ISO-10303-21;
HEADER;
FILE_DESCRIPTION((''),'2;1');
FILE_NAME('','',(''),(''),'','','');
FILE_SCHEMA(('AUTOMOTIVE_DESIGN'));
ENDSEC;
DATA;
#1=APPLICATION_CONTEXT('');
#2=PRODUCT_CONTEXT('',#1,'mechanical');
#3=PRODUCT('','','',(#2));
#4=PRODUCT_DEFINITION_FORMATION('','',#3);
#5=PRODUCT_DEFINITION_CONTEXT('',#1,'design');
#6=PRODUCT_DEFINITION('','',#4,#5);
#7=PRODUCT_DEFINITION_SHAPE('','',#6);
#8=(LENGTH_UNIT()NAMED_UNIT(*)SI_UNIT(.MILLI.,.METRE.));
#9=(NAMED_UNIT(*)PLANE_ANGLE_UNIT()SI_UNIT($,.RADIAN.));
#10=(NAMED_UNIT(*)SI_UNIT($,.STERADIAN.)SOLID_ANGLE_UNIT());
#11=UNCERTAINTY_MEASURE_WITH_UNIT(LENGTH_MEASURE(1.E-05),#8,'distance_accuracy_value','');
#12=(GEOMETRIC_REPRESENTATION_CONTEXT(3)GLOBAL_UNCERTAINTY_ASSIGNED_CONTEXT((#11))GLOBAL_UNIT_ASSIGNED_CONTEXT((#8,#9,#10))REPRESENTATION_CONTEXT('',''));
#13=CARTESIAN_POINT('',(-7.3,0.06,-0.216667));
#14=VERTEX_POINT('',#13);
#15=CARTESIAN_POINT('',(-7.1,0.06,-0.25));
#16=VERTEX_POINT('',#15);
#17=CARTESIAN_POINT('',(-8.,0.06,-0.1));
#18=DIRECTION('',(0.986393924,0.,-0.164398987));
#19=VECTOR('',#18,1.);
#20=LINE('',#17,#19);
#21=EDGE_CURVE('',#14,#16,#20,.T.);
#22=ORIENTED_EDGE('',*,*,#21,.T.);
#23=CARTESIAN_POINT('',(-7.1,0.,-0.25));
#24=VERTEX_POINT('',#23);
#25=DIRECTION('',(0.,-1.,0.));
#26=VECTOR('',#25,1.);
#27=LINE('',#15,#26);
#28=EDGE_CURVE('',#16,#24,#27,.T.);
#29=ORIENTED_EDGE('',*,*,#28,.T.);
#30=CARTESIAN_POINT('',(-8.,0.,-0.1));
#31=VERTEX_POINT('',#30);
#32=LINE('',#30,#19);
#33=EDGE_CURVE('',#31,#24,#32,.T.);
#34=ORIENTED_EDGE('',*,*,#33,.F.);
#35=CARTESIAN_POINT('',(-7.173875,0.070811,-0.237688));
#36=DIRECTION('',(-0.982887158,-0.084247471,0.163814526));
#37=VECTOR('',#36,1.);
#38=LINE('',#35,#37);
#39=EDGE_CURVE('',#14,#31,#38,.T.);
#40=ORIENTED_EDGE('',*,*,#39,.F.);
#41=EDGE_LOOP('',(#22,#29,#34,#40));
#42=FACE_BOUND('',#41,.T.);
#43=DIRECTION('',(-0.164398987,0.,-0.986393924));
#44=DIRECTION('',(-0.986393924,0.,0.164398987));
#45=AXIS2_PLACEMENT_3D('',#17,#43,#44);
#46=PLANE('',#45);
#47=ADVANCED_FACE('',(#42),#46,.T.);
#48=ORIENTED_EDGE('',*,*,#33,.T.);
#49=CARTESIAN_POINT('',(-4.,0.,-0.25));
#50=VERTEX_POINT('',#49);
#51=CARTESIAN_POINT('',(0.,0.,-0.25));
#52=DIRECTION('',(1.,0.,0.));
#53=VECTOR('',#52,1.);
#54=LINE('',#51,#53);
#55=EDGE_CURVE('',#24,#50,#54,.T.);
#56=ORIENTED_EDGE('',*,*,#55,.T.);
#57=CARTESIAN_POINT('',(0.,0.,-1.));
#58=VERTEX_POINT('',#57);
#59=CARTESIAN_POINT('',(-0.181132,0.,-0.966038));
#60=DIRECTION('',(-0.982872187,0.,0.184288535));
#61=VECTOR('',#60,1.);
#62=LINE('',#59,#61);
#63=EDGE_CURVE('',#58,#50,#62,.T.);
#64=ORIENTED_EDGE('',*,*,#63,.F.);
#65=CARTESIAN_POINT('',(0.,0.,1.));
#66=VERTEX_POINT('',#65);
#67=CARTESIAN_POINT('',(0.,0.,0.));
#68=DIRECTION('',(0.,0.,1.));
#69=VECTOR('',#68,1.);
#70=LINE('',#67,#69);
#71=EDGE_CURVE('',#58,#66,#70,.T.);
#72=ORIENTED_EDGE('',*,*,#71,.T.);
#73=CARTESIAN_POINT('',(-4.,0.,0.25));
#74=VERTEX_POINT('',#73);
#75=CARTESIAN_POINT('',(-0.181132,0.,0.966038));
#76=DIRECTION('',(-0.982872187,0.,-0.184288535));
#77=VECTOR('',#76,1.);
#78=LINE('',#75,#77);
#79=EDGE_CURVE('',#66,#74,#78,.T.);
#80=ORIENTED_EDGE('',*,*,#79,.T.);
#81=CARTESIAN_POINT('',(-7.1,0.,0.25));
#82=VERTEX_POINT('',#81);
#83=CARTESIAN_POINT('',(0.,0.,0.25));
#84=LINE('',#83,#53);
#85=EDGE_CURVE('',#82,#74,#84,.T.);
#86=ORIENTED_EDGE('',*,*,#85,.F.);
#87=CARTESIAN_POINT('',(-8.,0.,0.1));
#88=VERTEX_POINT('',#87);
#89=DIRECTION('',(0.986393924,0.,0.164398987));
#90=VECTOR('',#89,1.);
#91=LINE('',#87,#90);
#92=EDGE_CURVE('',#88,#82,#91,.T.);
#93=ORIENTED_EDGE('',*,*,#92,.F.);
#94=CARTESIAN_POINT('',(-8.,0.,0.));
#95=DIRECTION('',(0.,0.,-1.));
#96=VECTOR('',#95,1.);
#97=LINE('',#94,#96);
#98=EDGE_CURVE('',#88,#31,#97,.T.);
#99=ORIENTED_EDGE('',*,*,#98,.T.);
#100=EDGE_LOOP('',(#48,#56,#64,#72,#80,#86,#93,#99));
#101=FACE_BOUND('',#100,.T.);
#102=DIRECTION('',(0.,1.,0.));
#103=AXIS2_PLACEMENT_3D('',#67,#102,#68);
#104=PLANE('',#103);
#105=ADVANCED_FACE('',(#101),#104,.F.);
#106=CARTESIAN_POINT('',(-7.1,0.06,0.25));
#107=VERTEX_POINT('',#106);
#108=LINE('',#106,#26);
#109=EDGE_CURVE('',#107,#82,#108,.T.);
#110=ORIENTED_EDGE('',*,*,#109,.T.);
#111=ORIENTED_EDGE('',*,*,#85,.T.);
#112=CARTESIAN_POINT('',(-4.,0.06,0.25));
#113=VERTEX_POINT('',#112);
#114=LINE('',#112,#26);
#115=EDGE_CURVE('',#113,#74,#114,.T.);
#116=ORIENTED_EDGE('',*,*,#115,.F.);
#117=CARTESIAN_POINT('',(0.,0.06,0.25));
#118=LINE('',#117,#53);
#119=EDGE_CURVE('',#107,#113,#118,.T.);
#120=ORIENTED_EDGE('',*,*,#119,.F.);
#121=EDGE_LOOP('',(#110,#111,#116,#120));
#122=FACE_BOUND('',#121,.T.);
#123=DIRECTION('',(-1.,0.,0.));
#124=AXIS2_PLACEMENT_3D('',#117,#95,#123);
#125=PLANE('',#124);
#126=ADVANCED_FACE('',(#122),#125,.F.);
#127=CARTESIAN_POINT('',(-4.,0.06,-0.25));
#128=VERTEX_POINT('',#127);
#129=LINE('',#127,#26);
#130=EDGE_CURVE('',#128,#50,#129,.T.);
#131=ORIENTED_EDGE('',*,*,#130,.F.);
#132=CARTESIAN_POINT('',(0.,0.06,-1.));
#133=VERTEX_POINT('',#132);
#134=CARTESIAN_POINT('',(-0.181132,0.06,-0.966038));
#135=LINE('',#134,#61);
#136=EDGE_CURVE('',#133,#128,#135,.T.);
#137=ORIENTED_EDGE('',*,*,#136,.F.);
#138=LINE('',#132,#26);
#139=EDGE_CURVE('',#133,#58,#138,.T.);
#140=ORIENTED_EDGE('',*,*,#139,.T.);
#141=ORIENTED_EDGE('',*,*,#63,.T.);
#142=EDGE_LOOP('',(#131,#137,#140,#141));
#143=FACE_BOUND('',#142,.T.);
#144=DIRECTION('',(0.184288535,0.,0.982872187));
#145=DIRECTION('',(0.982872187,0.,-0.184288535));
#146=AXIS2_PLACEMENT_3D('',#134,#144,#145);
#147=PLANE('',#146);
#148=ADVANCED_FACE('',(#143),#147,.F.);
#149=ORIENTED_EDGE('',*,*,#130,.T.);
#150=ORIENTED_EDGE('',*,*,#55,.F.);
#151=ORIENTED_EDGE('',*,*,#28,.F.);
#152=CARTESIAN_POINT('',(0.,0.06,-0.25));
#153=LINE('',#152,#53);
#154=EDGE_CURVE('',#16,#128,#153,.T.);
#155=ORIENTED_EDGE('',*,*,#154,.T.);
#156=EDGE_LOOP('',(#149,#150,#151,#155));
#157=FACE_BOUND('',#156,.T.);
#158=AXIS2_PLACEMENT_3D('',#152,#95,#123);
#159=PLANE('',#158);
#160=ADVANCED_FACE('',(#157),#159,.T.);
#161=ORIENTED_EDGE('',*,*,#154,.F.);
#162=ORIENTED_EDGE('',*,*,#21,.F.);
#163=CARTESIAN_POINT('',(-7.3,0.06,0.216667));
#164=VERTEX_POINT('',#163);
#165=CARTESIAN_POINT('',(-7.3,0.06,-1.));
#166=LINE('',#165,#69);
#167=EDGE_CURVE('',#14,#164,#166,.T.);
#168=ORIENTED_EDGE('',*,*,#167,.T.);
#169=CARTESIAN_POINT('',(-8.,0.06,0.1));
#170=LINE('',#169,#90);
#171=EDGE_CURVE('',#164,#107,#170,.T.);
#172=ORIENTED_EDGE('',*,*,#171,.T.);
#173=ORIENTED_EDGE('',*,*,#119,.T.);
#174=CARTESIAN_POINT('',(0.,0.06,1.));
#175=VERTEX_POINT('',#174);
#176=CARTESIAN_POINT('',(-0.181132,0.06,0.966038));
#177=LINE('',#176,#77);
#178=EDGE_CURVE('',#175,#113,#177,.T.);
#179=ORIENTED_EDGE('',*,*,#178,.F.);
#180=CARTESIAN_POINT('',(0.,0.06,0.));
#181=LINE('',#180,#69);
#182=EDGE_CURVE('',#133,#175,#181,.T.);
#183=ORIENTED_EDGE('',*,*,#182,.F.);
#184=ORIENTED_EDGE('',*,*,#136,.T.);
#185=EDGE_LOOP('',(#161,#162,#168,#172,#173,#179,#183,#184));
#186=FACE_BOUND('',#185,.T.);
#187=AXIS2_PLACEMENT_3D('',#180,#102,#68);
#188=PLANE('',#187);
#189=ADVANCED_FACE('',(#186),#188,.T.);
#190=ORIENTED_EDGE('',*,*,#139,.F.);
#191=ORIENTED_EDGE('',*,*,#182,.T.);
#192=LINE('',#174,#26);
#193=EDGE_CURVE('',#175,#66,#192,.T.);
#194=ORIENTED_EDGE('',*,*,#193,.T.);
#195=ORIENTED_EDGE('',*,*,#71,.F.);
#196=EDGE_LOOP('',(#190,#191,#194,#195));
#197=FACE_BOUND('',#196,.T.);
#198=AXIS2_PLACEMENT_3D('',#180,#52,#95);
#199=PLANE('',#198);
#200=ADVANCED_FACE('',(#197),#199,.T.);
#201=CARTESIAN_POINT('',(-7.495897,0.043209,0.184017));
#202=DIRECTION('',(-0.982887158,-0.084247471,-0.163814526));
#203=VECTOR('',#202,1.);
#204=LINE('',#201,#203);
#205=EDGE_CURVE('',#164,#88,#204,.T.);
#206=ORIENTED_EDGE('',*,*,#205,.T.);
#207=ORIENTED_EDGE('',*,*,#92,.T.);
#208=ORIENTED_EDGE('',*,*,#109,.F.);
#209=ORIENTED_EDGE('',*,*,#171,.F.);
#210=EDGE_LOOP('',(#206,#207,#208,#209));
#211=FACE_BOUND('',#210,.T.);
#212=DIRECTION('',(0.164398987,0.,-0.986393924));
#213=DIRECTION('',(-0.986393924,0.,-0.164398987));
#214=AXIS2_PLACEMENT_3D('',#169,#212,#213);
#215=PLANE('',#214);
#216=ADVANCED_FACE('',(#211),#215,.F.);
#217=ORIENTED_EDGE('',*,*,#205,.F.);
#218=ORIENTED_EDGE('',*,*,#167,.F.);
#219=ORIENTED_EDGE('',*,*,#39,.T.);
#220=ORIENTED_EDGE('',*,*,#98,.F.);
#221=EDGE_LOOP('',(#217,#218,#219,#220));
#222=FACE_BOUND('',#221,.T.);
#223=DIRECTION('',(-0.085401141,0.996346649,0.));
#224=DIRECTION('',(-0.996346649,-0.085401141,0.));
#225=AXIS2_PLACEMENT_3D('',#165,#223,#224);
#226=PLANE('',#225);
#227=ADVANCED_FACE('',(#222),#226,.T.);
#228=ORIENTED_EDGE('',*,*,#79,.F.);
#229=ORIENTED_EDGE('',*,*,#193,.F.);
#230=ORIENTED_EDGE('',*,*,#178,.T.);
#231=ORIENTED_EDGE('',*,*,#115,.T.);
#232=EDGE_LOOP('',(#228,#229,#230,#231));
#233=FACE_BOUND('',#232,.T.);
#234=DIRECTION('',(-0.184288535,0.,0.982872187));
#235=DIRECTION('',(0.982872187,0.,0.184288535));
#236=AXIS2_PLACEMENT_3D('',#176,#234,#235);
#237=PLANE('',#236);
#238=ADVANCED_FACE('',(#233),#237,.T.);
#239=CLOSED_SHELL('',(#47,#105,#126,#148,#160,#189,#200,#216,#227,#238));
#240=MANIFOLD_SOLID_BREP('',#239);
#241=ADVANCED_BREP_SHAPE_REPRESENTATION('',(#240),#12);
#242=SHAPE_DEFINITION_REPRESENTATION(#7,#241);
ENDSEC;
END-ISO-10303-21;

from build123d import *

# Parameters (mm, degrees)
BOSS_EXTRUDE1_DEPTH = 0.06
CUT_EXTRUDE3_DEPTH  = 9.09728967
CUT_EXTRUDE4_DEPTH  = 9.09728967


with BuildPart() as part:
    # Sketch1 → Boss-Extrude1 (new body)
    with BuildSketch(Plane(origin=(0, 0, 0), x_dir=(1, 0, 0), z_dir=(0, 1, 0))):
        with BuildLine():
            ThreePointArc((-0.362264151, -0.932075472), (-0.747576714, -0.664175471), (-0.968245837, -0.25))
            Line((-0.968245837, -0.25), (-4, -0.25))
            Line((-4, -0.25), (-0.362264151, -0.932075472))
        make_face()
        with BuildLine():
            ThreePointArc((-0.968245837, 0.25), (-0.747576714, 0.664175471), (-0.362264151, 0.932075472))
            Line((-0.362264151, 0.932075472), (-4, 0.25))
            Line((-4, 0.25), (-0.968245837, 0.25))
        make_face()
        with BuildLine():
            ThreePointArc((-0.968245837, -0.25), (-1, 0), (-0.968245837, 0.25))
            Line((-0.968245837, 0.25), (-4, 0.25))
            Line((-4, 0.25), (-8, 0.25))
            Line((-8, 0.25), (-8, -0.25))
            Line((-8, -0.25), (-4, -0.25))
            Line((-4, -0.25), (-0.968245837, -0.25))
        make_face()
        with BuildLine():
            Line((0, -1), (0, -0.25))
            Line((0, -0.25), (-0.968245837, -0.25))
            ThreePointArc((-0.968245837, -0.25), (-0.747576714, -0.664175471), (-0.362264151, -0.932075472))
            Line((-0.362264151, -0.932075472), (0, -1))
        make_face()
        with BuildLine():
            Line((0, 0.25), (0, 1))
            Line((0, 1), (-0.362264151, 0.932075472))
            ThreePointArc((-0.362264151, 0.932075472), (-0.747576714, 0.664175471), (-0.968245837, 0.25))
            Line((-0.968245837, 0.25), (0, 0.25))
        make_face()
        with BuildLine():
            Line((0, -0.25), (0, 0.25))
            Line((0, 0.25), (-0.968245837, 0.25))
            ThreePointArc((-0.968245837, 0.25), (-1, 0), (-0.968245837, -0.25))
            Line((-0.968245837, -0.25), (0, -0.25))
        make_face()
    extrude(amount=BOSS_EXTRUDE1_DEPTH)

    # Sketch5 → Cut-Extrude3 (cut, through all)
    with BuildSketch(Plane.XY.offset(0.25)):
        Polygon((-8, 0), (-8, 0.06), (-7.3, 0.06), align=None)
    extrude(amount=-CUT_EXTRUDE3_DEPTH, mode=Mode.SUBTRACT)

    # 3DSketch1 → Cut-Extrude4 (cut, through all)
    with BuildSketch(Plane(origin=(-8, 0.06, 0.25), x_dir=(0.8741572761215382, 0, -0.48564293117863155), z_dir=(0, 1, 0))):
        Polygon((0, 0), (0.07284644, 0.131123591), (0.786741549, -0.437078638), align=None)
        Polygon((1.029563014, 0), (0.242821466, 0.437078638), (0.169975026, 0.305955047), align=None)
    extrude(amount=-CUT_EXTRUDE4_DEPTH, mode=Mode.SUBTRACT)


solid = part.part
